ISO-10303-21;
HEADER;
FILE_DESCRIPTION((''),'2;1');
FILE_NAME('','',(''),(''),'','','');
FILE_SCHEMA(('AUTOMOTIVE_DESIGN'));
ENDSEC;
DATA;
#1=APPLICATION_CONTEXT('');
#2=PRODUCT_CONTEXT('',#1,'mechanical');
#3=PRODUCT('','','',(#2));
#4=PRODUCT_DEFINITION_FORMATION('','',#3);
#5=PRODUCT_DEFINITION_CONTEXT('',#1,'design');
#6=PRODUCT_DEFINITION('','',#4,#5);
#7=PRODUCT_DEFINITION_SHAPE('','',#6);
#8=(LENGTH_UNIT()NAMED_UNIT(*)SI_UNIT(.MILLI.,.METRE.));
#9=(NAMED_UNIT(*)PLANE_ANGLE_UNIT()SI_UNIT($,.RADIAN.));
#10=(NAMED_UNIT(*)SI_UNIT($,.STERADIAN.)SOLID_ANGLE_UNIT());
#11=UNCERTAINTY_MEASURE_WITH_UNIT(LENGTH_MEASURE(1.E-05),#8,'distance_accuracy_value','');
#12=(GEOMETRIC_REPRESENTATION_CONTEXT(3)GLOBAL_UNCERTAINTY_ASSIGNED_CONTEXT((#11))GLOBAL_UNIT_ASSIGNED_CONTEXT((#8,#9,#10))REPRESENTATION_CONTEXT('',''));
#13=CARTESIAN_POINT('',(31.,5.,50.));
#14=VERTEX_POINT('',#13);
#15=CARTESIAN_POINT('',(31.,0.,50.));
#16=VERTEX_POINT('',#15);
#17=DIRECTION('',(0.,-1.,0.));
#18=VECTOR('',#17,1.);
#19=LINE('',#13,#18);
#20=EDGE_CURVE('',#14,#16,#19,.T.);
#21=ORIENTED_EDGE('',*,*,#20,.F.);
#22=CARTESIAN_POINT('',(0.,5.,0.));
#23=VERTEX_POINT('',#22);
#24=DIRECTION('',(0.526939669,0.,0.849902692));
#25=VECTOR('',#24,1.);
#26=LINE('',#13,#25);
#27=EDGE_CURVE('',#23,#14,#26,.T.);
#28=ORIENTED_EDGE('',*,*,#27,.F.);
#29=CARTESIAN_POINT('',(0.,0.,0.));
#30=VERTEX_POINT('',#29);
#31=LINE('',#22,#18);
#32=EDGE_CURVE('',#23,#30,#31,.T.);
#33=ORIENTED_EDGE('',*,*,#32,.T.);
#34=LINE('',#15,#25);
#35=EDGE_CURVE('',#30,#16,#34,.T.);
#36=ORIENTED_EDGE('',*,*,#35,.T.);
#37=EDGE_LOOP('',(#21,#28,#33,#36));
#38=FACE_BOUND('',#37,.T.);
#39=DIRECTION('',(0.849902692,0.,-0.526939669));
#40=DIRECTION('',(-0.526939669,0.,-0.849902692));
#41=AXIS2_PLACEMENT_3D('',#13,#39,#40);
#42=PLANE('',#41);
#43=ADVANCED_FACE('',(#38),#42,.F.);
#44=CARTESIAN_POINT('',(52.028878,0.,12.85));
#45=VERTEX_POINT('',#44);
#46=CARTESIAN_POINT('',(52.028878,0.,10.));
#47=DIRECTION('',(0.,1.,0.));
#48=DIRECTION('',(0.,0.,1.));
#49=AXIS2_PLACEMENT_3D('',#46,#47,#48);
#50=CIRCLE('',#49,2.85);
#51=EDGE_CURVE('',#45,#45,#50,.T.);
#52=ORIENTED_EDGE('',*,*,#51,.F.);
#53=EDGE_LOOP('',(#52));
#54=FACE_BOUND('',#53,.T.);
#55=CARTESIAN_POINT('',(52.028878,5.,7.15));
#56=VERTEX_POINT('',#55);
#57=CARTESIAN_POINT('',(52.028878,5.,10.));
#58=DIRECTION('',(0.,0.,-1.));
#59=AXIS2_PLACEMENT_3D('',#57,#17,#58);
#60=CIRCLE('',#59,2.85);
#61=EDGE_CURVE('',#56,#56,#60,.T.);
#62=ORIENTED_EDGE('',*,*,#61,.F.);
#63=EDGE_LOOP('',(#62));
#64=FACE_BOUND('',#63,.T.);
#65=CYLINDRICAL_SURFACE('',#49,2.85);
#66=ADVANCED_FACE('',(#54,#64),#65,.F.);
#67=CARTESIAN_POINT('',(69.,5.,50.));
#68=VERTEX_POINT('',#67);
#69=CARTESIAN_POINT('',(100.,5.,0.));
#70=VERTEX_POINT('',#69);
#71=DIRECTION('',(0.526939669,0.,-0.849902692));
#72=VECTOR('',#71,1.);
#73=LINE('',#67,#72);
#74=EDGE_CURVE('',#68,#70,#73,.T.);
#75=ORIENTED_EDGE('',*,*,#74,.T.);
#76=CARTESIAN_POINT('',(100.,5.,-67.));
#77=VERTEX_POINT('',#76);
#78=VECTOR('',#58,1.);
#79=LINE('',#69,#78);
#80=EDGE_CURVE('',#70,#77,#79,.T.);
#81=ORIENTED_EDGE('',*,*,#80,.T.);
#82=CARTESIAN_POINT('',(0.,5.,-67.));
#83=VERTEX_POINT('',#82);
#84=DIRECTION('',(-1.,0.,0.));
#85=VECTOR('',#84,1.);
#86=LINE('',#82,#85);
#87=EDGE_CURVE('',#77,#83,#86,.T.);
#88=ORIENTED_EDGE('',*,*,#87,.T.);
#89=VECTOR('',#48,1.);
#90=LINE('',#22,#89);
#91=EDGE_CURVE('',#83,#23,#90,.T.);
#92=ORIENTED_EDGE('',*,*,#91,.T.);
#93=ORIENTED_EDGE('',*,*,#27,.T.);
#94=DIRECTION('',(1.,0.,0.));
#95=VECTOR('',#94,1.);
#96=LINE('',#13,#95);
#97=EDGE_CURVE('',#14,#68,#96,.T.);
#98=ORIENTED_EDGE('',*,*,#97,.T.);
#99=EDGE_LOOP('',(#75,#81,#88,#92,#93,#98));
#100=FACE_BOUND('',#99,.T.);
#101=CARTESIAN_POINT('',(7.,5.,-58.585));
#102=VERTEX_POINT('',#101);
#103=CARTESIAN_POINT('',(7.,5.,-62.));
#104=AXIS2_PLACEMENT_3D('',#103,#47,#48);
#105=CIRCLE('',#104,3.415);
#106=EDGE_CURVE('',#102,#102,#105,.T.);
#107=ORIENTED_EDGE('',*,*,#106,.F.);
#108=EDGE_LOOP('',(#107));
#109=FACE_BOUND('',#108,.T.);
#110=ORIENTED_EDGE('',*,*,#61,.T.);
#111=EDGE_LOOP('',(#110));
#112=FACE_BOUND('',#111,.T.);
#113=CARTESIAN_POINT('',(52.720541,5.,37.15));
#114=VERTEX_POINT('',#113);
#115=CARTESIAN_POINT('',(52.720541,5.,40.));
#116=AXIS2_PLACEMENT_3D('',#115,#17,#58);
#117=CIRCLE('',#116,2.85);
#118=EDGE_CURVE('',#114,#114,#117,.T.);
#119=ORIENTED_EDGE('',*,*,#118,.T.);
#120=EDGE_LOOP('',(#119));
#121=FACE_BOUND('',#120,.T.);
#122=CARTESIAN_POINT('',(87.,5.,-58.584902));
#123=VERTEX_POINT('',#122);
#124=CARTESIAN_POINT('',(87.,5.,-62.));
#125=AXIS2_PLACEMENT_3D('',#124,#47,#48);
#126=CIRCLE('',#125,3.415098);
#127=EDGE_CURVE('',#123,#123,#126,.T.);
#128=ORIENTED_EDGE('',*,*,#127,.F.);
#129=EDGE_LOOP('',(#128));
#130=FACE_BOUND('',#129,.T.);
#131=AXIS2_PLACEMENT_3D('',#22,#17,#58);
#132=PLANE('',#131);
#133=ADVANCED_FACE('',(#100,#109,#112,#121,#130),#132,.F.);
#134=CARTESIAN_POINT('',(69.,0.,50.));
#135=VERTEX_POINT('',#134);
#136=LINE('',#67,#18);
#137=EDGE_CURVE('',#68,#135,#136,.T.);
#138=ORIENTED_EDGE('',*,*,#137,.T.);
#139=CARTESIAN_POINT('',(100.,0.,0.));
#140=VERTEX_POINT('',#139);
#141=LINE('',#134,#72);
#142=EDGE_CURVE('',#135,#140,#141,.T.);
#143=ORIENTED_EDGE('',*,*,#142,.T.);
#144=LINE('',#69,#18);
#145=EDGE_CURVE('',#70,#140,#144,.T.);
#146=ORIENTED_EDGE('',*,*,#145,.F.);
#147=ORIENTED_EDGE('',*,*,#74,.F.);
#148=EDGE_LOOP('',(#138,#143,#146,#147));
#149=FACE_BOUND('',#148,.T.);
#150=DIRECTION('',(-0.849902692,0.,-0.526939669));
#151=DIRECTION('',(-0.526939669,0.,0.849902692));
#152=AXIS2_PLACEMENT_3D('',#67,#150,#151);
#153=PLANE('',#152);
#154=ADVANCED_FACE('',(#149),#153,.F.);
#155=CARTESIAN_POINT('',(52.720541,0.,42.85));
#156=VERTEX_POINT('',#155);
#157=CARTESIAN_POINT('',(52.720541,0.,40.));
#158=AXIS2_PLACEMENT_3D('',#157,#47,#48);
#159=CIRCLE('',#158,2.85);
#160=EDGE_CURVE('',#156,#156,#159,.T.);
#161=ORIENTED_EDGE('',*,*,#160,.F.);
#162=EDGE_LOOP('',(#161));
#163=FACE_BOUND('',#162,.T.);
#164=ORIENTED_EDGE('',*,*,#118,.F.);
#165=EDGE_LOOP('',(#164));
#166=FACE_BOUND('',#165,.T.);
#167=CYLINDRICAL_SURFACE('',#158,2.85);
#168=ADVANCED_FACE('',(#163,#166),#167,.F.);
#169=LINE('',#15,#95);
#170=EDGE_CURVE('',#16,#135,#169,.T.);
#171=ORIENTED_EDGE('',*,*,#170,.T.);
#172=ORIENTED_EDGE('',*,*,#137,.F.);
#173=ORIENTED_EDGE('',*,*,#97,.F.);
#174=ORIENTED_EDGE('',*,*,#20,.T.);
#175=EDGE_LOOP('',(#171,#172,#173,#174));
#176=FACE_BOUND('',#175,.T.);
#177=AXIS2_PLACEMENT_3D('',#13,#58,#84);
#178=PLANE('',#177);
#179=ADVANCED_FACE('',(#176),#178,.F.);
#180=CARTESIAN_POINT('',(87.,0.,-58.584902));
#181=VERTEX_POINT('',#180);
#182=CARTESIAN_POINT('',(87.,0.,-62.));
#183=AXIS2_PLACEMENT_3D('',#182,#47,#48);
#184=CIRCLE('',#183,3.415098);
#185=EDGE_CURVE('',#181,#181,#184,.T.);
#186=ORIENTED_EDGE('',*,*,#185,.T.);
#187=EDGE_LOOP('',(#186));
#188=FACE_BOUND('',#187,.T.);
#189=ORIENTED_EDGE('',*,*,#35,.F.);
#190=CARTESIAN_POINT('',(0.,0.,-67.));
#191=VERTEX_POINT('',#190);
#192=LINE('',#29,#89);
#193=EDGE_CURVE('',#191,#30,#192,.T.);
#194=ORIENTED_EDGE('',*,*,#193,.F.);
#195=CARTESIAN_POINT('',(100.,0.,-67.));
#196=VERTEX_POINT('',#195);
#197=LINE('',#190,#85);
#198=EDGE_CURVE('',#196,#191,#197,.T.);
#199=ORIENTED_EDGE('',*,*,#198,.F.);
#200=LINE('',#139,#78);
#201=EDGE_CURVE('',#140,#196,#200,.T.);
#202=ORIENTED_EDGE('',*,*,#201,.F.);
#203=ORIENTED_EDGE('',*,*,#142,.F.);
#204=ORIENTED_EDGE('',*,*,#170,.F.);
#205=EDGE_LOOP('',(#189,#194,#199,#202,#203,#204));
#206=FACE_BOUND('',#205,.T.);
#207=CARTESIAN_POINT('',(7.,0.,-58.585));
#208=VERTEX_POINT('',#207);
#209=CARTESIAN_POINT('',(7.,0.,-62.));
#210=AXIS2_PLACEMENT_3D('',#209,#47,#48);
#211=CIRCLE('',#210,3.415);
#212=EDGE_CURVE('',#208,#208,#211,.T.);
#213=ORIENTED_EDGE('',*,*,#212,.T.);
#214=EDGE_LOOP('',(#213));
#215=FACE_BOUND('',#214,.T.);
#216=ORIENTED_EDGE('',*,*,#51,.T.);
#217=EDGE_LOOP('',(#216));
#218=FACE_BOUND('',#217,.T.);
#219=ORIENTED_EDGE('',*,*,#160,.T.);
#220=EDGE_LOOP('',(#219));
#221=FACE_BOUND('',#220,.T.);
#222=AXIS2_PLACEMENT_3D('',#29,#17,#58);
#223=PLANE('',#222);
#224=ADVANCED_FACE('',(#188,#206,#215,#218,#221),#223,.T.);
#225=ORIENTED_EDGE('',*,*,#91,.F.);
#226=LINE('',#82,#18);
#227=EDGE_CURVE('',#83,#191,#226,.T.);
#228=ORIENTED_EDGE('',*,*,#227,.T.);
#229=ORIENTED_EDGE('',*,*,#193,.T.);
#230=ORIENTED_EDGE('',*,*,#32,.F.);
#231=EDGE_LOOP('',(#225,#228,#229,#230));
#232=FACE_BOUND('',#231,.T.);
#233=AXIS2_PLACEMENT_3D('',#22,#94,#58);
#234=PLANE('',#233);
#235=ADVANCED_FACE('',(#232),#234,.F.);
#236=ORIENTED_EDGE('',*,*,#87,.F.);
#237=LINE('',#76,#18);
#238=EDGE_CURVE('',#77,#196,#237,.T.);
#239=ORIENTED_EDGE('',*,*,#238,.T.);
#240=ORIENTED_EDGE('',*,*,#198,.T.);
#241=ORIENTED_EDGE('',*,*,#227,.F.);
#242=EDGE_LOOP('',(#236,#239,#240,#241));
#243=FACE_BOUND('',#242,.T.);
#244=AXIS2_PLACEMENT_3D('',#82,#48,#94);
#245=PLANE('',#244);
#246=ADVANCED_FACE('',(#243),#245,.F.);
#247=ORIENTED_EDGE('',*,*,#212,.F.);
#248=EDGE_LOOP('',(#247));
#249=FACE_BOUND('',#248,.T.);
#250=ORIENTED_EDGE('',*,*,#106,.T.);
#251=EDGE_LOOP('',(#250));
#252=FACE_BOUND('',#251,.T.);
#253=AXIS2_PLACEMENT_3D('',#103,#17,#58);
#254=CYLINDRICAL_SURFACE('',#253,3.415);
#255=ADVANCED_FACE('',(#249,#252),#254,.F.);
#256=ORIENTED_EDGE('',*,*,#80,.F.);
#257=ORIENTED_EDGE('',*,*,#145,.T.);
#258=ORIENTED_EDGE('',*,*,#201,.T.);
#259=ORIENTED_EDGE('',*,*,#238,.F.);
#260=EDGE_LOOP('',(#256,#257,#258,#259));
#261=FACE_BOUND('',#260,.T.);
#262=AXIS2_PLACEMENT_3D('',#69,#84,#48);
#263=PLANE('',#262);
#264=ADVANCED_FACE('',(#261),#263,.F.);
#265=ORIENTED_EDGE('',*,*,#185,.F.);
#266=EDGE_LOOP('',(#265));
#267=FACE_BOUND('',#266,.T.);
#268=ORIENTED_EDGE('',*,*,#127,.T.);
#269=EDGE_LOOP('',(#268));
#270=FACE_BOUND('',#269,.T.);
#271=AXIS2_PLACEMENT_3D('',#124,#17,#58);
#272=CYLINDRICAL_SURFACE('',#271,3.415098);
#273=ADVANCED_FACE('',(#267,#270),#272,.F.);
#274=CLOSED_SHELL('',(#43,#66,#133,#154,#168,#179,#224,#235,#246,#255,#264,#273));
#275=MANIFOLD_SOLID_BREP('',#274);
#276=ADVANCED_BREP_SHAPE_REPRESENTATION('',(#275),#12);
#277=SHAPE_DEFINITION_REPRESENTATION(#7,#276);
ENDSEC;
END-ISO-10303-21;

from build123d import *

# Parameters (mm, degrees)
SKETCH1_R               = 3.415098232
SKETCH1_R_2             = 3.415
BOSS_EXTRUDE1_DEPTH     = 5
CUT_EXTRUDE1_DEPTH      = 121.474063599
CUT_EXTRUDE1_DEPTH_BACK = 121.474063599
SKETCH2_R               = 2.85


with BuildPart() as part:
    # Sketch1 → Boss-Extrude1 (new body)
    with BuildSketch(Plane(origin=(0, 0, 0), x_dir=(1, 0, 0), z_dir=(0, 1, 0))):
        Polygon((0, 0), (0, 67), (100, 67), (100, 0), (69, -50), (31, -50), align=None)
        with Locations(Location((87, 62, 0), (0, 0, 270))):
            Circle(SKETCH1_R, mode=Mode.SUBTRACT)
        with Locations(Location((7, 62, 0), (0, 0, 270))):
            Circle(SKETCH1_R_2, mode=Mode.SUBTRACT)
    extrude(amount=BOSS_EXTRUDE1_DEPTH)

    # Sketch2 → Cut-Extrude1 (cut, two sides: drawn at the far end of the back side and taken through both)
    with BuildSketch(Plane(origin=(0, 5, 0), x_dir=(1, 0, 0), z_dir=(0, 1, 0)).offset(-CUT_EXTRUDE1_DEPTH_BACK)):
        with Locations(Location((52.720540919, -40, 0), (0, 0, 270))):
            Circle(SKETCH2_R)
        with Locations(Location((52.028877973, -10, 0), (0, 0, 270))):
            Circle(SKETCH2_R)
    extrude(amount=CUT_EXTRUDE1_DEPTH + CUT_EXTRUDE1_DEPTH_BACK, mode=Mode.SUBTRACT)


solid = part.part
